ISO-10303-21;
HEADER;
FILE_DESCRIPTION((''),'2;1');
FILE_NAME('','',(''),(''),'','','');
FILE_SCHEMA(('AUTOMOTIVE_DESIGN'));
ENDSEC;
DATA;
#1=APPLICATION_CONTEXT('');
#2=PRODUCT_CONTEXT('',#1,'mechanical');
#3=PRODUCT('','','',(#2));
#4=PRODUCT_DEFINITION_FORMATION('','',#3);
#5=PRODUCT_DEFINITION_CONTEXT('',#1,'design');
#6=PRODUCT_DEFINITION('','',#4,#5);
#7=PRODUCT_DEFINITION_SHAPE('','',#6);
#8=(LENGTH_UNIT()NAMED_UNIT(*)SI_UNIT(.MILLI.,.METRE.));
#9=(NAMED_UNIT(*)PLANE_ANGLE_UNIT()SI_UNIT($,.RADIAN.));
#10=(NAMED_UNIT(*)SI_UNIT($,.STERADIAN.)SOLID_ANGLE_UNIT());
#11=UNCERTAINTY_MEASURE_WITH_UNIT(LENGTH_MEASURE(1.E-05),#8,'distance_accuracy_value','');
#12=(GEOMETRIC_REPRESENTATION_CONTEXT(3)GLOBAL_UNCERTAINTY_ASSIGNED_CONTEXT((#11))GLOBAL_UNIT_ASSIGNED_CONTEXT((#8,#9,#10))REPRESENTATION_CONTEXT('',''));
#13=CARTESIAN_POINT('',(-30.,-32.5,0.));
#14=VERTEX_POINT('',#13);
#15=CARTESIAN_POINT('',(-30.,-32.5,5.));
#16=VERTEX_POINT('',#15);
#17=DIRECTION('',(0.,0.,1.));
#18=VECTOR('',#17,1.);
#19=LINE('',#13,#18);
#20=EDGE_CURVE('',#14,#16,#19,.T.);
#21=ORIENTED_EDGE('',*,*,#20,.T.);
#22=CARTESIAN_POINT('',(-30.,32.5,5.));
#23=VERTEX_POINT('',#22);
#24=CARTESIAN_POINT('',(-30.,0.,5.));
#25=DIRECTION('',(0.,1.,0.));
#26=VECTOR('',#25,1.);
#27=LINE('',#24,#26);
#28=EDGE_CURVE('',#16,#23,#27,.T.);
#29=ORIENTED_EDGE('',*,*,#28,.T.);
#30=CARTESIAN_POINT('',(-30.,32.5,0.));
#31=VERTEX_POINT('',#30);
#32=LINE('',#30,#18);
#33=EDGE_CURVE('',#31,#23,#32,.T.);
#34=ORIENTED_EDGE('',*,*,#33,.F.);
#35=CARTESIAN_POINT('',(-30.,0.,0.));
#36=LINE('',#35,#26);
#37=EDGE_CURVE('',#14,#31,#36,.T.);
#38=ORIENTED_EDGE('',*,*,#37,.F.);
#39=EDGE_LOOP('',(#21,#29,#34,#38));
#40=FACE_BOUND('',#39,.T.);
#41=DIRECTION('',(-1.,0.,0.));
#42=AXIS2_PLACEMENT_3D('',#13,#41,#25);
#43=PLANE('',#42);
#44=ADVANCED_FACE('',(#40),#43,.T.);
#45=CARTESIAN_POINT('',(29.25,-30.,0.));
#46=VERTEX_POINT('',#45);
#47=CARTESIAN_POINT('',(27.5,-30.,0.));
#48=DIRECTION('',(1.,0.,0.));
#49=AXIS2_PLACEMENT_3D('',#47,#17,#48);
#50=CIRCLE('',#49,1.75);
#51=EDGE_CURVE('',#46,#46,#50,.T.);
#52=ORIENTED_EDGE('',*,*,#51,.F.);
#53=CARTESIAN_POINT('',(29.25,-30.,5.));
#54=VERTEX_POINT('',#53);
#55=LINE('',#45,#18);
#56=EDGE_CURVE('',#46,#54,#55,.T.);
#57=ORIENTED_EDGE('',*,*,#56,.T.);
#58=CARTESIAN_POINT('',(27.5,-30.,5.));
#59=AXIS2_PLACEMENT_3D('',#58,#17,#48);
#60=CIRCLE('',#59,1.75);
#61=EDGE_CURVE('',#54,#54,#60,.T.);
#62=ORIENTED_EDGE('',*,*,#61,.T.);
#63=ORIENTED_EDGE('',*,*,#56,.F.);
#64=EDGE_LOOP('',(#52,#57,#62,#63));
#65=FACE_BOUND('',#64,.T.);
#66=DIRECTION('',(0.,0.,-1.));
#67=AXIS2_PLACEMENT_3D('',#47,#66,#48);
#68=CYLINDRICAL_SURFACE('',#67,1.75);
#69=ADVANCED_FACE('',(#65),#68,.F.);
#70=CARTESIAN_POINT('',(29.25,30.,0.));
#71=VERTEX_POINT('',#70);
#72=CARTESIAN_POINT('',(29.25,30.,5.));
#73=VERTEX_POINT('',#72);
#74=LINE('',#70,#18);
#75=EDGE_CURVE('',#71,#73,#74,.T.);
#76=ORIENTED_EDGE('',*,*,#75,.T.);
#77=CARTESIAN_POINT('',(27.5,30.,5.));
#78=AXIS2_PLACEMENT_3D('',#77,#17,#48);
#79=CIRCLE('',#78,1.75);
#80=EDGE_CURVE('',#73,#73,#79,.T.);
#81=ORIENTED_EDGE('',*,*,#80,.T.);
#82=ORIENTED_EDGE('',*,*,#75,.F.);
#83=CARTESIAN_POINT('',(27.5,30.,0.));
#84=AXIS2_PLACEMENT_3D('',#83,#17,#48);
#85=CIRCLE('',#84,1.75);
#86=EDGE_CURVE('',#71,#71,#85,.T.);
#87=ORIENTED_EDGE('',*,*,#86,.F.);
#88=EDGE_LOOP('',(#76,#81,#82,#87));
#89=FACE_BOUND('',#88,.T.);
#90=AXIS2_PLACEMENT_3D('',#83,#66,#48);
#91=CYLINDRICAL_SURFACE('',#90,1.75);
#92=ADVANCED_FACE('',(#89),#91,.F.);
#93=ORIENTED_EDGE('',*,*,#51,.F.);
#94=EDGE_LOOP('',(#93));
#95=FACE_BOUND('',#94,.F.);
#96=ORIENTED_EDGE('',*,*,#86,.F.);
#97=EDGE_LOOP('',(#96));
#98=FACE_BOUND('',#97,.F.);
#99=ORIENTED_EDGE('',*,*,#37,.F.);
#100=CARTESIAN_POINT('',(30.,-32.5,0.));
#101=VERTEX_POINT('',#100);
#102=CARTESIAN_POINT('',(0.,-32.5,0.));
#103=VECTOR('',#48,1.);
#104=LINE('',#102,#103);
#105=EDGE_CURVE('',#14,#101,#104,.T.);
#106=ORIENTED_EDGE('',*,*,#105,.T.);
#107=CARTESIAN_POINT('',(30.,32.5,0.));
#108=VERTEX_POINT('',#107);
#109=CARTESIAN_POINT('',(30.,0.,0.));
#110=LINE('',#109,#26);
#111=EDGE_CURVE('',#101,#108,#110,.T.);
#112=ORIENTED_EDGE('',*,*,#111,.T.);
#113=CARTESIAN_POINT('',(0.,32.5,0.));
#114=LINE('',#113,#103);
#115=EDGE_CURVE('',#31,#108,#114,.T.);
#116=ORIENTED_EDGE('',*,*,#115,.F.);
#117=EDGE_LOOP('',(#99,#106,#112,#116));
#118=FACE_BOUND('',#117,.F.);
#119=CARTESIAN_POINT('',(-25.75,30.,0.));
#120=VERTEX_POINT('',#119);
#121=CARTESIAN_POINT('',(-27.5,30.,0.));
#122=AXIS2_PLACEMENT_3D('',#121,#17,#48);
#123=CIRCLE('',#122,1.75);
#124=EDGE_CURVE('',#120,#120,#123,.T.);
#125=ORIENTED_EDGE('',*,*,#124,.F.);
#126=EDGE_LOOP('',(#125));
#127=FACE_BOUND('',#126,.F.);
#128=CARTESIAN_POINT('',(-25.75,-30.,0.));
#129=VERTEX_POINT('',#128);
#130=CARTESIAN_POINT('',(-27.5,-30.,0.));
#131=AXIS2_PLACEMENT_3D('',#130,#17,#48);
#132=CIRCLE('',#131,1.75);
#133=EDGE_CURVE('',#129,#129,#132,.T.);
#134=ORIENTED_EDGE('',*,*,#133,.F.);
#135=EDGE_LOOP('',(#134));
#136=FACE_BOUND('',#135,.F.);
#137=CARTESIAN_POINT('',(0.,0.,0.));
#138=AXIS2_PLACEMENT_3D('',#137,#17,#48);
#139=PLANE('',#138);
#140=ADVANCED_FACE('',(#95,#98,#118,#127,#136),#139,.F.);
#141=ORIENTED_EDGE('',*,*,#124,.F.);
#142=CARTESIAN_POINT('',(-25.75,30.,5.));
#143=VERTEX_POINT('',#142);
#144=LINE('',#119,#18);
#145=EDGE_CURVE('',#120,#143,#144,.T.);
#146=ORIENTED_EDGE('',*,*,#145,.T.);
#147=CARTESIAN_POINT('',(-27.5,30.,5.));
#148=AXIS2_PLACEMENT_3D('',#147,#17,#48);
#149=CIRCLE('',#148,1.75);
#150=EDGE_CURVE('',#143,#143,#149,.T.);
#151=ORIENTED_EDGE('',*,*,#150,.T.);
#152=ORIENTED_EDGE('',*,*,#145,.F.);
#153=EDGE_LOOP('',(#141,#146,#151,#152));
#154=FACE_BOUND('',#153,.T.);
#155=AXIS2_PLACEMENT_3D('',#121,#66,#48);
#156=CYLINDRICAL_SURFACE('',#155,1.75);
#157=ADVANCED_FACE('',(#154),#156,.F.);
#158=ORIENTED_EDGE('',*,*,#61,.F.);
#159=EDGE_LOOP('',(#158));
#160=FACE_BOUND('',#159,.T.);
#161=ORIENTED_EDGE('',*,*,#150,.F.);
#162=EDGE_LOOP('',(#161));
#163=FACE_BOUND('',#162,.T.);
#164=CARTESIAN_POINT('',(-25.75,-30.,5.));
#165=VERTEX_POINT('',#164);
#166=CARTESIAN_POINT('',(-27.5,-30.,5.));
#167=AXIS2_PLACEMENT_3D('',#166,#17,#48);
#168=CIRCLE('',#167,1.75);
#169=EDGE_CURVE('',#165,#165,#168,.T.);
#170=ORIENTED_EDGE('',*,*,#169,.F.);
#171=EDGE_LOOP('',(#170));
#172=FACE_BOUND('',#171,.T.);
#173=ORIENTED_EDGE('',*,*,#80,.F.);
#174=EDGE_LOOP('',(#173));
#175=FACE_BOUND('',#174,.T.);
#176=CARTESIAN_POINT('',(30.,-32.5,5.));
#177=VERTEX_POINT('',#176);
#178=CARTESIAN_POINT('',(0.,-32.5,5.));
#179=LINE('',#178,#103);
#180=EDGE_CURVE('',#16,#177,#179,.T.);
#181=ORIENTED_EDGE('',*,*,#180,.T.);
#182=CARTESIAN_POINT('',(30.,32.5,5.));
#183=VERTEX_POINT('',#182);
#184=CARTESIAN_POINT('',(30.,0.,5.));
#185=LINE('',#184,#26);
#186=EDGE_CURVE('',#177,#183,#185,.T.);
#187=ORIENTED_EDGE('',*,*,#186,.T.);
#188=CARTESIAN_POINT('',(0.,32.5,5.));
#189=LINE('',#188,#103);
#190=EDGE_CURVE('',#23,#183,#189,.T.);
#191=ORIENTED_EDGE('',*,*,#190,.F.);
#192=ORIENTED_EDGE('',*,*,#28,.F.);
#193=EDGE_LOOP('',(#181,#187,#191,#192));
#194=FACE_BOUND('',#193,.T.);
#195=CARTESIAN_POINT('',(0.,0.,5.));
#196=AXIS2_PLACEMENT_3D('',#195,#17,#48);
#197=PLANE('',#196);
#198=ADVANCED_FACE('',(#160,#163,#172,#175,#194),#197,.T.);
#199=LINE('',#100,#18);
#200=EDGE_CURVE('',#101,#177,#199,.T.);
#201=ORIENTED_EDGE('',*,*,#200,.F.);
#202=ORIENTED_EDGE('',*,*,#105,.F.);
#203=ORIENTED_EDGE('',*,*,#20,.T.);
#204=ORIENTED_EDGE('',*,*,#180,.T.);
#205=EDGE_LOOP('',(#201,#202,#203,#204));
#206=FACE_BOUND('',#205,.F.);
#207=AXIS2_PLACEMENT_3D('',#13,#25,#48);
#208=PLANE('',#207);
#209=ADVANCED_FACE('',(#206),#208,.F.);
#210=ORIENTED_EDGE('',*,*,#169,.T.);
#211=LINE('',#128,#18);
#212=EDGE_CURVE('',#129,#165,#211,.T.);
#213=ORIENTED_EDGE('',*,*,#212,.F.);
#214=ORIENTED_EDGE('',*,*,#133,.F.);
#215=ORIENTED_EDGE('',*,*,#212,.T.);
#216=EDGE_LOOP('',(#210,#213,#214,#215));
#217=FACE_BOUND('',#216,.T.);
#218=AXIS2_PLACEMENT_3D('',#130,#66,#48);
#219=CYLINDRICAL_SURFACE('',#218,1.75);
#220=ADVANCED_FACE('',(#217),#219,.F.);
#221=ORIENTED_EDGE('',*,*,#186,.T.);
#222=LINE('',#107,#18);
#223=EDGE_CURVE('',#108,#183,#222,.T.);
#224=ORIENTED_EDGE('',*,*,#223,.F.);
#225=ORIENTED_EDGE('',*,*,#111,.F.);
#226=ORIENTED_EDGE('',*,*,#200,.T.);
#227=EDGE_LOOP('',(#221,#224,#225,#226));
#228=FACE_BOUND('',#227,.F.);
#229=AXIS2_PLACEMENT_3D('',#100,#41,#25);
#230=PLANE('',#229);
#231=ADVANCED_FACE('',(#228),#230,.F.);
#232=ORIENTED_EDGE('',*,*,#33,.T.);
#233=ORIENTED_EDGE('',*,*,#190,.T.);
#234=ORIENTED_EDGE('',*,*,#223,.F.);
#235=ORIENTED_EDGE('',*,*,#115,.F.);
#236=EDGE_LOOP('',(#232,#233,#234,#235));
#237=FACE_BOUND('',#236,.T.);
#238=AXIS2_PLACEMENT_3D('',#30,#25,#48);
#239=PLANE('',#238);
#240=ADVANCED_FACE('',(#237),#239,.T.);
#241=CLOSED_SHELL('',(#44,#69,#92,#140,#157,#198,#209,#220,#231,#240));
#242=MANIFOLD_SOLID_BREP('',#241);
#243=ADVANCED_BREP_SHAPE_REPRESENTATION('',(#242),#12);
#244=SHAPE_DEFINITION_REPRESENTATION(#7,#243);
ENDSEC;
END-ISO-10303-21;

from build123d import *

# Parameters (mm, degrees)
SKETCH_W  = 60
SKETCH_H  = 65
SKETCH_R  = 1.75
PAD_DEPTH = 5


with BuildPart() as part:
    # Sketch → Pad (new body)
    with BuildSketch(Plane.XY):
        Rectangle(SKETCH_W, SKETCH_H)
        with Locations((-27.5, 30)):
            Circle(SKETCH_R, mode=Mode.SUBTRACT)
        with Locations((27.5, 30)):
            Circle(SKETCH_R, mode=Mode.SUBTRACT)
        with Locations((-27.5, -30)):
            Circle(SKETCH_R, mode=Mode.SUBTRACT)
        with Locations((27.5, -30)):
            Circle(SKETCH_R, mode=Mode.SUBTRACT)
    extrude(amount=PAD_DEPTH)


solid = part.part
